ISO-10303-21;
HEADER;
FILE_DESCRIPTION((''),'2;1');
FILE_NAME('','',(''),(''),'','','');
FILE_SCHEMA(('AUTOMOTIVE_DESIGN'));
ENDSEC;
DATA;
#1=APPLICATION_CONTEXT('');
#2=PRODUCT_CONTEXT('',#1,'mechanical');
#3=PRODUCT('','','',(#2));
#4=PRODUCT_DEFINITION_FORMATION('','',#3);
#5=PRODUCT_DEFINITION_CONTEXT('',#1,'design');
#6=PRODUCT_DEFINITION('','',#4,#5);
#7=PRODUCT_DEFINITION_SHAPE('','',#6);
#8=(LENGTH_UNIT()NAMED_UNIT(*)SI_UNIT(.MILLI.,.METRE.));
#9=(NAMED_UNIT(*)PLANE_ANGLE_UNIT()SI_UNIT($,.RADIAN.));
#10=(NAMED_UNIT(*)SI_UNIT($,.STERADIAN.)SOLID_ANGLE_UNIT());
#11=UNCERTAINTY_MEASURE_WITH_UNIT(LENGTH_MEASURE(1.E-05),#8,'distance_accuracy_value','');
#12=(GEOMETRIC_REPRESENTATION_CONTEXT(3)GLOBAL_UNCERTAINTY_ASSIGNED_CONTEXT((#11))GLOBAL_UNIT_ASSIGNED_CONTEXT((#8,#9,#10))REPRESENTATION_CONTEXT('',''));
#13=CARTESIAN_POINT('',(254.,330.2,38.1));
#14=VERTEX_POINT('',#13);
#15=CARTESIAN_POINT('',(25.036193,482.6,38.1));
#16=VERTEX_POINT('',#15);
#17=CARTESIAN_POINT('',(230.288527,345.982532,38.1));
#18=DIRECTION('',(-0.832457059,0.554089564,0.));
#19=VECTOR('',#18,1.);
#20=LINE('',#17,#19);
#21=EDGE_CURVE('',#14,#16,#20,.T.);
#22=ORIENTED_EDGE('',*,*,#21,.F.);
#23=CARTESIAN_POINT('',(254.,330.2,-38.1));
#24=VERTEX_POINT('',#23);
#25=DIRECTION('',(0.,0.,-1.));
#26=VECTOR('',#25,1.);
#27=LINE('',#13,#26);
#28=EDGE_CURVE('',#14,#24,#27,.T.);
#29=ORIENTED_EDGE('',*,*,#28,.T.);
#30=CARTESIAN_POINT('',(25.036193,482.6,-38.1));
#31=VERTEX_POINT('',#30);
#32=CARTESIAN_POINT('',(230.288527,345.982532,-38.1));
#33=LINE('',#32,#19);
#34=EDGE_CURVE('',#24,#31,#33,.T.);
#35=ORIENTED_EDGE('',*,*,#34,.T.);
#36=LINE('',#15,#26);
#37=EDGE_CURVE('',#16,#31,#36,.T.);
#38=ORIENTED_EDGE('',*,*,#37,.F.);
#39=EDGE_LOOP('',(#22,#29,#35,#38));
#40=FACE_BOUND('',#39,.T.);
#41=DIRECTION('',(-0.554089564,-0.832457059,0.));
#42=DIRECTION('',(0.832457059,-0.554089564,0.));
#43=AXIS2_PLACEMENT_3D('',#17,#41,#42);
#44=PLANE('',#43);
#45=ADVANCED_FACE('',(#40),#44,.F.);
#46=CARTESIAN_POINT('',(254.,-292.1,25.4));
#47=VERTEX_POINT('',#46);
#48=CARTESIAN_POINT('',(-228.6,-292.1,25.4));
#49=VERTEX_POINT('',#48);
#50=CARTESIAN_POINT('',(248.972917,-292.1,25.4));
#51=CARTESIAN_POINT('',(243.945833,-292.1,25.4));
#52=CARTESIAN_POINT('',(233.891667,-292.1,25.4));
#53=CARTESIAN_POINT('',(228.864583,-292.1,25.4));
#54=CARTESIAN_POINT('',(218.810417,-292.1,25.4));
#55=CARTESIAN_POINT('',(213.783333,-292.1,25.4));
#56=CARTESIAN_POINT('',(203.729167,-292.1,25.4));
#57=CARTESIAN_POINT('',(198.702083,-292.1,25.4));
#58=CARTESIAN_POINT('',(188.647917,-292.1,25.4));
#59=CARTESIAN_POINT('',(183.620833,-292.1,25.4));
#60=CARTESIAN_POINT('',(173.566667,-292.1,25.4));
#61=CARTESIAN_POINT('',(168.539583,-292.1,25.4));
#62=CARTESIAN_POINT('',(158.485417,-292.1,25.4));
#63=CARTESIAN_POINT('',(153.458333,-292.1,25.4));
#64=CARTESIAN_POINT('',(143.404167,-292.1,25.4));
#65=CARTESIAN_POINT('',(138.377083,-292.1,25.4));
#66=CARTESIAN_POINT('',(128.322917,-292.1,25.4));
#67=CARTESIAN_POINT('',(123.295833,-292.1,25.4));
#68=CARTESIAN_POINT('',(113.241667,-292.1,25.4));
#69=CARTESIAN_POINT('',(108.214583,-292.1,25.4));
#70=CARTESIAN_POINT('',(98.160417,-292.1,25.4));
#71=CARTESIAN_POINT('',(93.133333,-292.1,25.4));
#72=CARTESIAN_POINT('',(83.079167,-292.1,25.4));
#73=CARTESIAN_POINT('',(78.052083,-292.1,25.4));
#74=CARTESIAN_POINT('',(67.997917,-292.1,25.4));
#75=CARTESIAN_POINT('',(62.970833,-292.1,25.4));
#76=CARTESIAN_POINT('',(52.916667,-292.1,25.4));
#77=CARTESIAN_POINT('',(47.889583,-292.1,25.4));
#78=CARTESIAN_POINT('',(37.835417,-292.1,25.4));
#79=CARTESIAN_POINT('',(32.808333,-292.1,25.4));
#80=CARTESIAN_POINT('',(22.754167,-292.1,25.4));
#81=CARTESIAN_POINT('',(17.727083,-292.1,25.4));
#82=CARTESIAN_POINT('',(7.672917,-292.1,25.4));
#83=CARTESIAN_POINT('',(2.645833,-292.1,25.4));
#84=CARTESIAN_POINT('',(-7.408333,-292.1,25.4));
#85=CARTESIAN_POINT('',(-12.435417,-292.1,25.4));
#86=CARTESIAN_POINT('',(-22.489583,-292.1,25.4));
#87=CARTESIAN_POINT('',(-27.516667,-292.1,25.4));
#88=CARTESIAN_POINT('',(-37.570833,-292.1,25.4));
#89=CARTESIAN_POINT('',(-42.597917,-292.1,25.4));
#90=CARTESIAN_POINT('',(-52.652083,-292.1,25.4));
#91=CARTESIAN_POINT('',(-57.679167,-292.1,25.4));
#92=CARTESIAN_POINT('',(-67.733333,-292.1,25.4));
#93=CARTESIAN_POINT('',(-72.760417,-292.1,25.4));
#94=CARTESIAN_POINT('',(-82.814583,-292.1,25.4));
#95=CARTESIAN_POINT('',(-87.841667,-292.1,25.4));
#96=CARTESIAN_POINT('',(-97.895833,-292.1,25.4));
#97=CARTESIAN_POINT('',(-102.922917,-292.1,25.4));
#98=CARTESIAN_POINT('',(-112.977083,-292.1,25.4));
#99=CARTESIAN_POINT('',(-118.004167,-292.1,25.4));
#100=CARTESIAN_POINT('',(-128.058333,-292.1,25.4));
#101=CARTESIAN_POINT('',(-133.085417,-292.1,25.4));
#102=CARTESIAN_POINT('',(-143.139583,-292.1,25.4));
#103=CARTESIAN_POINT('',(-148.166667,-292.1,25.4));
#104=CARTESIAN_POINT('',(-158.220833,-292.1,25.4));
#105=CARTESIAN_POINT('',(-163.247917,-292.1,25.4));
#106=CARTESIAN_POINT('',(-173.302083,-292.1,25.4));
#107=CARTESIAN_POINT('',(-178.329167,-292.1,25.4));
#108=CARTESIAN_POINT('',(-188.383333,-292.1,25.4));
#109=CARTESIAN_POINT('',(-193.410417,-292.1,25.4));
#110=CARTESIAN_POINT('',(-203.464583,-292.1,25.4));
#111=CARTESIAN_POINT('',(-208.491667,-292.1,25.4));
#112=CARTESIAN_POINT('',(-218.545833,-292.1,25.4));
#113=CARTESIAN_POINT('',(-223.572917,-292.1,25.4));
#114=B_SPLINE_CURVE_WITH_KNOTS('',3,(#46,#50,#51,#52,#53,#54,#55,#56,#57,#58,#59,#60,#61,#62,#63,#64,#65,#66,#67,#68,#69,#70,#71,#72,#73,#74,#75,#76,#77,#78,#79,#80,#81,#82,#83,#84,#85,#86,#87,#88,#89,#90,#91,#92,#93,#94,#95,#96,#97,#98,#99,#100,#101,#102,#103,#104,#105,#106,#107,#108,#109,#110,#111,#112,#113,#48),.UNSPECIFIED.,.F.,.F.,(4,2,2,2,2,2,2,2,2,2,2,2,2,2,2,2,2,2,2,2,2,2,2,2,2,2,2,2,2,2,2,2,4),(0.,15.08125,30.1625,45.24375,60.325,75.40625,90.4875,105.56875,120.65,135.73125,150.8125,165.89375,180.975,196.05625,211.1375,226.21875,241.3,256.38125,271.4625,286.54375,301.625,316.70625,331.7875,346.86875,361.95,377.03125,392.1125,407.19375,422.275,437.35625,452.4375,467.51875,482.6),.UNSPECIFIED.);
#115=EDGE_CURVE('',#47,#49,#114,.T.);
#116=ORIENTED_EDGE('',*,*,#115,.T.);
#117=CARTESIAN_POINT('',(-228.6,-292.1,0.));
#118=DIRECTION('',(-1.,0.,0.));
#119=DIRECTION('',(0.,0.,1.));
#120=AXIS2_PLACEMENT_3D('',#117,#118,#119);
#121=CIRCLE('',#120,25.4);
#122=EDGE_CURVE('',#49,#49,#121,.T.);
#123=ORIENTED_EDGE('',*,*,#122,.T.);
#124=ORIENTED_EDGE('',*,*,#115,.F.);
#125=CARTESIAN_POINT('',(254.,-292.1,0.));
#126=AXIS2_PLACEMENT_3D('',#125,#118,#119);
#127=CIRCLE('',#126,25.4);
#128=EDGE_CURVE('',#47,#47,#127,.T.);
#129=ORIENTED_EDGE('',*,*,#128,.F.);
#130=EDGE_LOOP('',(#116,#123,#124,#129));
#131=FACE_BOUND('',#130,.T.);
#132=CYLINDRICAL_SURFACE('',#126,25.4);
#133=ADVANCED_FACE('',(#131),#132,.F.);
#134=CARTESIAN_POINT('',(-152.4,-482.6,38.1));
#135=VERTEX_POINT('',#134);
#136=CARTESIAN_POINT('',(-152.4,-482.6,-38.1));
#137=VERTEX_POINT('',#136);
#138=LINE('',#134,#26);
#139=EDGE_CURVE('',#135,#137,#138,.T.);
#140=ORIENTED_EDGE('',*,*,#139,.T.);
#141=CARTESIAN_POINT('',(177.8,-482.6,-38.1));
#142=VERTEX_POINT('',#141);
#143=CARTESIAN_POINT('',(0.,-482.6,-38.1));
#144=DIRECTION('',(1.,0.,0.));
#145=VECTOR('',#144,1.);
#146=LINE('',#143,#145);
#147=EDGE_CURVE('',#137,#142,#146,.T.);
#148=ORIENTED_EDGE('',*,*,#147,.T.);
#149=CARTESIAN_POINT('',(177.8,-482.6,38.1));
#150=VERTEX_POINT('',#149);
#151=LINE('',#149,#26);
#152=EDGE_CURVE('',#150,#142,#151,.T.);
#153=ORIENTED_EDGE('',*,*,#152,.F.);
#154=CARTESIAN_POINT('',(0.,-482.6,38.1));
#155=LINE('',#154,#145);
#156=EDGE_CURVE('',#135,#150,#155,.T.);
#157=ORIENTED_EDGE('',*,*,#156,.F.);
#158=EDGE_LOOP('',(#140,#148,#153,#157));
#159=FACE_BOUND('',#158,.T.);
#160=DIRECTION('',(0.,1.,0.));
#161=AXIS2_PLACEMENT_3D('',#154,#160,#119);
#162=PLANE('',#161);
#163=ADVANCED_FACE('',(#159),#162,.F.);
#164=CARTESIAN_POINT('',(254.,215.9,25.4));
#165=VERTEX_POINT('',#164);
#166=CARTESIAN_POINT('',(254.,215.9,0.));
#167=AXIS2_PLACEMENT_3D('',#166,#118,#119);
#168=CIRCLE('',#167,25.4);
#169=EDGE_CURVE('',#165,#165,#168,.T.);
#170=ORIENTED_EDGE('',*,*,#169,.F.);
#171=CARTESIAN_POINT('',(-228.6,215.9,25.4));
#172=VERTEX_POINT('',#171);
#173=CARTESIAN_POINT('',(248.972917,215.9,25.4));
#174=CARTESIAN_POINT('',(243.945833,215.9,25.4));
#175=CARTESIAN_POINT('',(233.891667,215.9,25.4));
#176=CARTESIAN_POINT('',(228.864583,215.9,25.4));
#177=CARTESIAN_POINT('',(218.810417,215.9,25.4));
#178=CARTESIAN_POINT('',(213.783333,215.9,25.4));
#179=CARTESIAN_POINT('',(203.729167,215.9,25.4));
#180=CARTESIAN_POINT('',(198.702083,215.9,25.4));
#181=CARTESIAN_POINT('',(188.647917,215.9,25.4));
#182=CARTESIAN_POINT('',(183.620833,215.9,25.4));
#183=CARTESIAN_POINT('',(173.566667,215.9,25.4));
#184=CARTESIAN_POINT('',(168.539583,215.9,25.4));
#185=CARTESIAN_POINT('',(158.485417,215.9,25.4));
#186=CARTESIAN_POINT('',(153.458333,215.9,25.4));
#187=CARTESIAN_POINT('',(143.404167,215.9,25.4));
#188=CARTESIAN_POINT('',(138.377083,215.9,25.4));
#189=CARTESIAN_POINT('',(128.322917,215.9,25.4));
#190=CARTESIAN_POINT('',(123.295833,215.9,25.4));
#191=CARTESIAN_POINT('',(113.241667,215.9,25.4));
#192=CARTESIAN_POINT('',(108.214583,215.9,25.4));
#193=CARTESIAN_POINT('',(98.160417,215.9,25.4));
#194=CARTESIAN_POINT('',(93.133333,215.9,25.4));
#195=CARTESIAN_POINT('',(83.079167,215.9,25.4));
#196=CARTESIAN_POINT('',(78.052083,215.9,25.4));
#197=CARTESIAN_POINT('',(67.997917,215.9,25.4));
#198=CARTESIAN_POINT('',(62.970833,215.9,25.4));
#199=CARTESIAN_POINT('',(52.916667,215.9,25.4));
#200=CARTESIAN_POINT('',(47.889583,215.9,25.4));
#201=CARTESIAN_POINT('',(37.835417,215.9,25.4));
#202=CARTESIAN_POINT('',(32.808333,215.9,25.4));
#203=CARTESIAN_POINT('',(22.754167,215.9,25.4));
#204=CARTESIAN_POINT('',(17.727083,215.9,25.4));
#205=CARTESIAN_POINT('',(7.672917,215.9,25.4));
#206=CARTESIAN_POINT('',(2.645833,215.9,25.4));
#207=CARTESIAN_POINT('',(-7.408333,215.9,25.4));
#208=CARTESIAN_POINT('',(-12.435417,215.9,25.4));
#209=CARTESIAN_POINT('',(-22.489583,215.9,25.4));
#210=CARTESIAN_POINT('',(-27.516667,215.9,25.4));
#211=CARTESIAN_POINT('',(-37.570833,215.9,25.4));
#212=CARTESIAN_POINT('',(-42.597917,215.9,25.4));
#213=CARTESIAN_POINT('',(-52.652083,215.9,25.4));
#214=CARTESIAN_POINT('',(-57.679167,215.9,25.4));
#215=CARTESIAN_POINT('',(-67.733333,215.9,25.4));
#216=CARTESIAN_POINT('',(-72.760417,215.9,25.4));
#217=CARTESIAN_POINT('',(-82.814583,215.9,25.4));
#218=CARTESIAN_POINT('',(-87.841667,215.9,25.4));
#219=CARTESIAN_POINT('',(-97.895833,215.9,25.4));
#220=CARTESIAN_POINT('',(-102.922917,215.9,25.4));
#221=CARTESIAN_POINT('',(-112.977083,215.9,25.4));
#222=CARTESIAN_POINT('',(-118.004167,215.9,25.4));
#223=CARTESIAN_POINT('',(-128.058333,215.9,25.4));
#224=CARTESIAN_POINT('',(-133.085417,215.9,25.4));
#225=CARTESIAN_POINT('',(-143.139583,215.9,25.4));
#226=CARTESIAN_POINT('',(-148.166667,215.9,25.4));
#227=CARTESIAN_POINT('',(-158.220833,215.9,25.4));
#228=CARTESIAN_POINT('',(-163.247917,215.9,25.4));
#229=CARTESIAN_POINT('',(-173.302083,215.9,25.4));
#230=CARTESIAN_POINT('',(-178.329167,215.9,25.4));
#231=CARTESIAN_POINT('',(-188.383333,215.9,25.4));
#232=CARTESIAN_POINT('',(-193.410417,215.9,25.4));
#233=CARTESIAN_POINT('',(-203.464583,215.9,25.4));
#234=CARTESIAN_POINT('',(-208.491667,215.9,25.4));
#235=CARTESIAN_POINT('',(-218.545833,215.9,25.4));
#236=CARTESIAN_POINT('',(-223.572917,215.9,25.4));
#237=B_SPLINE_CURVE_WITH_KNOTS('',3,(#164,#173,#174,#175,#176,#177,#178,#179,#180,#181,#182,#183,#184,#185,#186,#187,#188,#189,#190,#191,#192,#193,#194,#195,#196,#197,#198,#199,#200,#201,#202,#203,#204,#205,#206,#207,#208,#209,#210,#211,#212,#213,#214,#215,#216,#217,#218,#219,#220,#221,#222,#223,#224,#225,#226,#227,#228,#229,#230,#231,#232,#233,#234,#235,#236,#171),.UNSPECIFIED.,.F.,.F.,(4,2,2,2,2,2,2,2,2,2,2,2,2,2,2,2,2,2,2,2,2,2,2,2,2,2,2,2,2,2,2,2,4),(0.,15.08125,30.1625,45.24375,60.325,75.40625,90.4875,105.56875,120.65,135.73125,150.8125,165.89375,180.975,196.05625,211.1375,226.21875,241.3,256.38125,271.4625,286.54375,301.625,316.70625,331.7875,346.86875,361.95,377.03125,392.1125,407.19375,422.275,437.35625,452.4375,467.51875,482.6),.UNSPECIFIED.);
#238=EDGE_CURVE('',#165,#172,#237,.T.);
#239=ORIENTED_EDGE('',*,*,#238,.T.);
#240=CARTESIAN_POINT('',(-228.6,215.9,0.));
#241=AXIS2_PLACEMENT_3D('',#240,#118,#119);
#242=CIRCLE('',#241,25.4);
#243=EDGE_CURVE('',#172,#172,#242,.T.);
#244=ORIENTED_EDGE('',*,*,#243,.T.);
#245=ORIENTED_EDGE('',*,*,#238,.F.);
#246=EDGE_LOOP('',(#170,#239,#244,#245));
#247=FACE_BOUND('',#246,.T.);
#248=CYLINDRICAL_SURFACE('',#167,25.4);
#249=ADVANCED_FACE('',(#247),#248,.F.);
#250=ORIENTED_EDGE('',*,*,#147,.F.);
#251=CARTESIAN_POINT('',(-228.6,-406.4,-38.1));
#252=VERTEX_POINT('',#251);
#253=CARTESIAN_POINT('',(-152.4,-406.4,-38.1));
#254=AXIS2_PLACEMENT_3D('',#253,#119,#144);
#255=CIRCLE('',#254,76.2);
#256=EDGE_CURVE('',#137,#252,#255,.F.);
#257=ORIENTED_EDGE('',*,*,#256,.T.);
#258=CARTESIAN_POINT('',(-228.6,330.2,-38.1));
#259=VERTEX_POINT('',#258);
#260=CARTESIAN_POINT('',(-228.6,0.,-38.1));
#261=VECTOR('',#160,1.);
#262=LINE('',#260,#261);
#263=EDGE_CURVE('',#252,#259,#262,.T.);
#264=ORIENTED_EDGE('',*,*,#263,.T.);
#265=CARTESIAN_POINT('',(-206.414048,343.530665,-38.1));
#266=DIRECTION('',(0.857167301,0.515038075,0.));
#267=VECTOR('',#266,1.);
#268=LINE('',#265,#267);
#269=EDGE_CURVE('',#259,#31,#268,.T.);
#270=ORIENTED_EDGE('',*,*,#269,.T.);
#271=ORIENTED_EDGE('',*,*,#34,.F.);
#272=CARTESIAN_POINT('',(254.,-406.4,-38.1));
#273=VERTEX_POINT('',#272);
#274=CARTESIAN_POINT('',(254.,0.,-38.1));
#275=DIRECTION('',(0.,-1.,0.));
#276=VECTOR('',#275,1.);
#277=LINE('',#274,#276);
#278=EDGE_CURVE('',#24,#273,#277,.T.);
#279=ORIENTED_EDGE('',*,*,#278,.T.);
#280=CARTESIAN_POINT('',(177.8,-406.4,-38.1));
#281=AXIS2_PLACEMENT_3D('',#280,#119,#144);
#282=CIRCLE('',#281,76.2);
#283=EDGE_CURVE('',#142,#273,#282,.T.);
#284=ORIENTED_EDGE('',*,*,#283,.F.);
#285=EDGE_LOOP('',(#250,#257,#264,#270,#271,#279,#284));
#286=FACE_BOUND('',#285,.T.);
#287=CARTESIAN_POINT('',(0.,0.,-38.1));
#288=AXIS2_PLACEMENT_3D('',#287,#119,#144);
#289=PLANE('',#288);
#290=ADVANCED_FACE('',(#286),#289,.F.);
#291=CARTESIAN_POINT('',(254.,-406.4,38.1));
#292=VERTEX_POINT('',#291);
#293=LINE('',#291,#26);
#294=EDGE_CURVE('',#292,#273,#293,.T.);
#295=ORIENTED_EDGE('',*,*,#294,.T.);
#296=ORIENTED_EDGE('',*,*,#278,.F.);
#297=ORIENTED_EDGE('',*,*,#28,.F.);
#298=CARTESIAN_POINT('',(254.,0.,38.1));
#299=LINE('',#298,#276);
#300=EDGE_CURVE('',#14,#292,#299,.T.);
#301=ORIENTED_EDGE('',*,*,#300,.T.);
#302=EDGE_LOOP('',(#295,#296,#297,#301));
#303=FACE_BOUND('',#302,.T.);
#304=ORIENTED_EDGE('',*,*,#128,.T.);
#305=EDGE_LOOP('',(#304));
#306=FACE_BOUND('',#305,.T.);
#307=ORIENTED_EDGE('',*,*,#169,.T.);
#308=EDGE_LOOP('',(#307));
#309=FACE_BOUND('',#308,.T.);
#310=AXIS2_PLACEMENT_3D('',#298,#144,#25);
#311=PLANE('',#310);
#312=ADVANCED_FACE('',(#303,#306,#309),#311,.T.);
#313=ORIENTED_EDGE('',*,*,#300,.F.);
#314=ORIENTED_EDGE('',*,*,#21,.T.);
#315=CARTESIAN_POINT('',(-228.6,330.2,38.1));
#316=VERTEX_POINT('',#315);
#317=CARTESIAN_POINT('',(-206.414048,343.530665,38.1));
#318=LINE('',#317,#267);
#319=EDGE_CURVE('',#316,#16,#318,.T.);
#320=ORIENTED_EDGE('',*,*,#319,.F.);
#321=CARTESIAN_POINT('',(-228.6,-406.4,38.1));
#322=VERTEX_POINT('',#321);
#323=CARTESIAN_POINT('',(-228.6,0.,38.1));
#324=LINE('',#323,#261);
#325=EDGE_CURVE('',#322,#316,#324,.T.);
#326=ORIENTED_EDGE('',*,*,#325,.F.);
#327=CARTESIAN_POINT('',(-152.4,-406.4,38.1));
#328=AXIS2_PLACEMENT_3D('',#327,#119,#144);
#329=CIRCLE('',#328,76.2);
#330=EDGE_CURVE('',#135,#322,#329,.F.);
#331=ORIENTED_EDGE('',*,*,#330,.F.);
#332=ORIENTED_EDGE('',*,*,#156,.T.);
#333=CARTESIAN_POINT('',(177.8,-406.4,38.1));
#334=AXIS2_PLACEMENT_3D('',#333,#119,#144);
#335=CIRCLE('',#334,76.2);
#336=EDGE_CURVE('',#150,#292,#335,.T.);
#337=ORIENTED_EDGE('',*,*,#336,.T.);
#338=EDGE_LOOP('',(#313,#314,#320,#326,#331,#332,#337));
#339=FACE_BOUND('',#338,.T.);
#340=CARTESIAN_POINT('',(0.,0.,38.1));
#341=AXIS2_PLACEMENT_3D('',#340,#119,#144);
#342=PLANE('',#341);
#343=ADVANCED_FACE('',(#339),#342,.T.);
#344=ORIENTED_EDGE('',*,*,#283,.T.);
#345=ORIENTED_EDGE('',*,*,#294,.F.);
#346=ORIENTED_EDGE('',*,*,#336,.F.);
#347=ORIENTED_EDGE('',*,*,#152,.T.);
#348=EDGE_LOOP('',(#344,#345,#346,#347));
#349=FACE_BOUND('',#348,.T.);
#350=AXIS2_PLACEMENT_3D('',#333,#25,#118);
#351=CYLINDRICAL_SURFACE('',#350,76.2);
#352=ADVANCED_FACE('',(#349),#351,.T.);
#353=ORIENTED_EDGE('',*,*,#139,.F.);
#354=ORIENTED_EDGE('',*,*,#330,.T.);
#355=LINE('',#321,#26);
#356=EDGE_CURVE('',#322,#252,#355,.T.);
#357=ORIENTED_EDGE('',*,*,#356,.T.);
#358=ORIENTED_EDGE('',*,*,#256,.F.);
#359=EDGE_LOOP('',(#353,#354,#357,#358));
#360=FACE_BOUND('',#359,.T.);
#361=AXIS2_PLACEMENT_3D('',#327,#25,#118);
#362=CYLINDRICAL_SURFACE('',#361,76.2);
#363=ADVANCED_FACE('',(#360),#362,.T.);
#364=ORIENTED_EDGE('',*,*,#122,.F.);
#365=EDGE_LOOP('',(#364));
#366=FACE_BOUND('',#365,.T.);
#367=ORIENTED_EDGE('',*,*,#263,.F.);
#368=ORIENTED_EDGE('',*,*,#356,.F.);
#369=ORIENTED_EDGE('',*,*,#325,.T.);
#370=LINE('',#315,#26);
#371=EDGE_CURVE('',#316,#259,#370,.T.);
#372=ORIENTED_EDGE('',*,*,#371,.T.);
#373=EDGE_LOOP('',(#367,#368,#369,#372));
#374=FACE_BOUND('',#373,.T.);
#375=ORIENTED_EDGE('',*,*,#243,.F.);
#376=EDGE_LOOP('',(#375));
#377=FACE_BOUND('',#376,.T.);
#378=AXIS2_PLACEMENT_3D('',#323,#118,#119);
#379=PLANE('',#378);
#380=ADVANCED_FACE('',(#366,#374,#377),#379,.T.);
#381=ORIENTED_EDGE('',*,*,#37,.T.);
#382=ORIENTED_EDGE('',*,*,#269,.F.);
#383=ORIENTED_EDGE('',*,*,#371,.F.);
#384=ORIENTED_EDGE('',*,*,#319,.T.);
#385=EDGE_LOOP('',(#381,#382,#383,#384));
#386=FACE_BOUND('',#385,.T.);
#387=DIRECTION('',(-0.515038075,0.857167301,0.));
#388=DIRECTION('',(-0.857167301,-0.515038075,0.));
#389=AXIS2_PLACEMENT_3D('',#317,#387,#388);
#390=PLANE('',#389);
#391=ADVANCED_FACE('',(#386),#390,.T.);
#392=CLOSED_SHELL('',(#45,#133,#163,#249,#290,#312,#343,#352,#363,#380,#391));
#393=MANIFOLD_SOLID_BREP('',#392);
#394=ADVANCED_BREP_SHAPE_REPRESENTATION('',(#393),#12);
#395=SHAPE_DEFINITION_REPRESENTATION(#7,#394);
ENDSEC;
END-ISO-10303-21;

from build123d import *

# Parameters (mm, degrees)
BOSS_EXTRUDE1_DEPTH = 38.1
SKETCH4_R           = 25.4
CUT_EXTRUDE1_DEPTH  = 684.562089353


with BuildPart() as part:
    # Sketch3 → Boss-Extrude1 (new, symmetric)
    with BuildSketch(Plane.XY):
        with BuildLine():
            Line((-228.6, -406.4), (-228.6, 330.2))
            Line((-228.6, 330.2), (25.03619311, 482.6))
            Line((25.03619311, 482.6), (254, 330.2))
            Line((254, 330.2), (254, -406.4))
            ThreePointArc((254, -406.4), (231.681536726, -460.281536726), (177.8, -482.6))
            Line((177.8, -482.6), (-152.4, -482.6))
            ThreePointArc((-152.4, -482.6), (-206.281536726, -460.281536726), (-228.6, -406.4))
        make_face()
    extrude(amount=BOSS_EXTRUDE1_DEPTH, both=True)

    # Sketch4 → Cut-Extrude1 (cut, through all)
    with BuildSketch(Plane.ZY.offset(228.6)):
        with Locations((0, 215.9)):
            Circle(SKETCH4_R)
        with Locations((0, -292.1)):
            Circle(SKETCH4_R)
    extrude(amount=-CUT_EXTRUDE1_DEPTH, mode=Mode.SUBTRACT)


solid = part.part
